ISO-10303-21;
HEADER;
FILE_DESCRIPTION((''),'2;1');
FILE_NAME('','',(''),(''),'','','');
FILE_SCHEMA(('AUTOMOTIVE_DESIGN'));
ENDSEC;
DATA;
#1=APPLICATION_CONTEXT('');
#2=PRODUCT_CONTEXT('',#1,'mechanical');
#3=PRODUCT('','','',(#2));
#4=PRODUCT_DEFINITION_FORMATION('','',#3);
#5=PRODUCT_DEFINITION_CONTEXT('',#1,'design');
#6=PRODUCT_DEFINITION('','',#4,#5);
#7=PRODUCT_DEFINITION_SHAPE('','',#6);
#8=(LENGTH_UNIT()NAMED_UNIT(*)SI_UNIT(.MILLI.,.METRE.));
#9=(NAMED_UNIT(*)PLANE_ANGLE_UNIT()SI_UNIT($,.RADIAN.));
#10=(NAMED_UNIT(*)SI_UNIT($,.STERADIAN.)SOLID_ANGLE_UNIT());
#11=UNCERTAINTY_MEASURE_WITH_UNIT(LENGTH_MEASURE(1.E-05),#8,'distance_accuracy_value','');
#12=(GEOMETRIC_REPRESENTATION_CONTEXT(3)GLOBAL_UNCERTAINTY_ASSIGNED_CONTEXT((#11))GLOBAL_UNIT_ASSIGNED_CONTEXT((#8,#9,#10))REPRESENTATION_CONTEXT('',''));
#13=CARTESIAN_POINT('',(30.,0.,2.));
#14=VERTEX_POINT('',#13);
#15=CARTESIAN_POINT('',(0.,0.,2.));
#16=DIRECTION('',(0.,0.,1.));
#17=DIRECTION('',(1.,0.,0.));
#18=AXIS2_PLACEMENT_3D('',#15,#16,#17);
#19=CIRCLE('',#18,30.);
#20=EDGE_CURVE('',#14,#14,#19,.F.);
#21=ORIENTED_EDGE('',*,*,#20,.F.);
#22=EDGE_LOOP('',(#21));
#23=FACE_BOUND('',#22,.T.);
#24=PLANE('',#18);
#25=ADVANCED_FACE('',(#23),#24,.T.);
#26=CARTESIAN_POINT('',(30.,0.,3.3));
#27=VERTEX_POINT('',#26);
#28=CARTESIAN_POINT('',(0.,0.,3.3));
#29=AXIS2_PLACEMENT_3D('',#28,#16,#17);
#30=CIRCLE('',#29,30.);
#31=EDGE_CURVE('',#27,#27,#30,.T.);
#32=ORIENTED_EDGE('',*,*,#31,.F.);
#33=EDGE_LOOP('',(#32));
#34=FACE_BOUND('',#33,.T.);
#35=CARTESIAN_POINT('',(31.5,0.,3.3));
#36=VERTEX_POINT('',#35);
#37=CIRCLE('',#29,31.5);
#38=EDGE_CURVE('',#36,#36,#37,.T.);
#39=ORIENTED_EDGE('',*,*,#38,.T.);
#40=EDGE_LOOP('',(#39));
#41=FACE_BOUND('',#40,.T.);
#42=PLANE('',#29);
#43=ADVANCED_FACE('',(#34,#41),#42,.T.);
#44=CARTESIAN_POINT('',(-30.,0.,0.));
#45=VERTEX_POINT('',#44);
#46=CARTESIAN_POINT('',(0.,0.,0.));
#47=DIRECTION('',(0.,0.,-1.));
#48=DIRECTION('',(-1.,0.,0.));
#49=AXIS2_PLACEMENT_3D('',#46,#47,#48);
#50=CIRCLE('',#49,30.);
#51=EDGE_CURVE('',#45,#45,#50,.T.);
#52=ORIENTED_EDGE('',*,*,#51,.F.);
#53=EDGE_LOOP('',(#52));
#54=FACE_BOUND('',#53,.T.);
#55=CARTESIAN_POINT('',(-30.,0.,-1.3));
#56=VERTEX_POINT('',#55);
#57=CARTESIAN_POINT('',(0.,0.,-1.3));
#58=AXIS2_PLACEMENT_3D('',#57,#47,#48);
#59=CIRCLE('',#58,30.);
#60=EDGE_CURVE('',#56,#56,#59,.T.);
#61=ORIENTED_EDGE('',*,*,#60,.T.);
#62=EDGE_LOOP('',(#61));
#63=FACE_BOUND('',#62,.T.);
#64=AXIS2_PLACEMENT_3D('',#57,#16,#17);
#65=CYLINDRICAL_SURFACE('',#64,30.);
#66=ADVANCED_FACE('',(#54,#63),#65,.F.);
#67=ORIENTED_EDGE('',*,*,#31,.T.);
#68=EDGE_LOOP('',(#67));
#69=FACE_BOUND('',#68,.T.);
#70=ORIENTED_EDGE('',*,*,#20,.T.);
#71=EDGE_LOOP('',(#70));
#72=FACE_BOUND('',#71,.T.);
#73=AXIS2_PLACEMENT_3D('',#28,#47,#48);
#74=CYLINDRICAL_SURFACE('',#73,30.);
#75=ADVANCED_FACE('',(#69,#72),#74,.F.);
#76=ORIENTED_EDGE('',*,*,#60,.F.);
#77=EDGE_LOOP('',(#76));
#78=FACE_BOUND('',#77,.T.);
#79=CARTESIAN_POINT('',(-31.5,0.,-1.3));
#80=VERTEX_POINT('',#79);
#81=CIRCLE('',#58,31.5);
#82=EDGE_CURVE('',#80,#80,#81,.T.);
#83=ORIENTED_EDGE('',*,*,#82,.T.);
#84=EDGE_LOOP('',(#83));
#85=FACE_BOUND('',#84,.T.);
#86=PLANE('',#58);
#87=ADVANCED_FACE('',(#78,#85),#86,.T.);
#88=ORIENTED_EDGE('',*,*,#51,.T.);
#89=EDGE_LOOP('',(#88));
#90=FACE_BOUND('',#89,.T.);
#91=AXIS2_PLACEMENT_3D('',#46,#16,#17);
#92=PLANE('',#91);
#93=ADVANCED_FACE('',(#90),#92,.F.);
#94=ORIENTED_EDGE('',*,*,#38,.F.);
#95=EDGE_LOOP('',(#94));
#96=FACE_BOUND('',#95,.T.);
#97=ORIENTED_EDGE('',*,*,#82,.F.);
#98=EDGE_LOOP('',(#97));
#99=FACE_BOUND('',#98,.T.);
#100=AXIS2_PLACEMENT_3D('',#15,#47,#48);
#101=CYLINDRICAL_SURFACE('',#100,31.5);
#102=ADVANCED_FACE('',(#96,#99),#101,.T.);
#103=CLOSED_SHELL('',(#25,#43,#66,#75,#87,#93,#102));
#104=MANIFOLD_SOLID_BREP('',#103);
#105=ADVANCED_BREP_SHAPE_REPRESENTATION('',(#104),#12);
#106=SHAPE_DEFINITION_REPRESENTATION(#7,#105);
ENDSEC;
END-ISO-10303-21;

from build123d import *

# Parameters (mm, degrees)
SKETCH_1_R      = 31.5
EXTRUDE_1_DEPTH = 2
SKETCH_2_R      = 31.5
SKETCH_2_R_2    = 30
EXTRUDE_2_DEPTH = 1.3
EXTRUDE_START   = 1.3
SKETCH_3_R      = 31.5
SKETCH_3_R_2    = 30
EXTRUDE_3_DEPTH = 1.3


with BuildPart() as part:
    # 스케치1 → 보스-돌출1 (new body)
    with BuildSketch(Plane.XY):
        Circle(SKETCH_1_R)
    extrude(amount=EXTRUDE_1_DEPTH)

    # 스케치2 → 보스-돌출2 (add)
    with BuildSketch(Plane.XY.offset(2)):
        Circle(SKETCH_2_R)
        Circle(SKETCH_2_R_2, mode=Mode.SUBTRACT)
    extrude(amount=EXTRUDE_2_DEPTH)

    # 스케치3 → 보스-돌출3 (add)
    with BuildSketch(Plane(origin=(0, 0, 0), x_dir=(-1, 0, 0), z_dir=(0, 0, -1)).offset(EXTRUDE_START)):
        Circle(SKETCH_3_R)
        with Locations(Location((0, 0, 0), (0, 0, 180))):
            Circle(SKETCH_3_R_2, mode=Mode.SUBTRACT)
    extrude(amount=-EXTRUDE_3_DEPTH)


solid = part.part
